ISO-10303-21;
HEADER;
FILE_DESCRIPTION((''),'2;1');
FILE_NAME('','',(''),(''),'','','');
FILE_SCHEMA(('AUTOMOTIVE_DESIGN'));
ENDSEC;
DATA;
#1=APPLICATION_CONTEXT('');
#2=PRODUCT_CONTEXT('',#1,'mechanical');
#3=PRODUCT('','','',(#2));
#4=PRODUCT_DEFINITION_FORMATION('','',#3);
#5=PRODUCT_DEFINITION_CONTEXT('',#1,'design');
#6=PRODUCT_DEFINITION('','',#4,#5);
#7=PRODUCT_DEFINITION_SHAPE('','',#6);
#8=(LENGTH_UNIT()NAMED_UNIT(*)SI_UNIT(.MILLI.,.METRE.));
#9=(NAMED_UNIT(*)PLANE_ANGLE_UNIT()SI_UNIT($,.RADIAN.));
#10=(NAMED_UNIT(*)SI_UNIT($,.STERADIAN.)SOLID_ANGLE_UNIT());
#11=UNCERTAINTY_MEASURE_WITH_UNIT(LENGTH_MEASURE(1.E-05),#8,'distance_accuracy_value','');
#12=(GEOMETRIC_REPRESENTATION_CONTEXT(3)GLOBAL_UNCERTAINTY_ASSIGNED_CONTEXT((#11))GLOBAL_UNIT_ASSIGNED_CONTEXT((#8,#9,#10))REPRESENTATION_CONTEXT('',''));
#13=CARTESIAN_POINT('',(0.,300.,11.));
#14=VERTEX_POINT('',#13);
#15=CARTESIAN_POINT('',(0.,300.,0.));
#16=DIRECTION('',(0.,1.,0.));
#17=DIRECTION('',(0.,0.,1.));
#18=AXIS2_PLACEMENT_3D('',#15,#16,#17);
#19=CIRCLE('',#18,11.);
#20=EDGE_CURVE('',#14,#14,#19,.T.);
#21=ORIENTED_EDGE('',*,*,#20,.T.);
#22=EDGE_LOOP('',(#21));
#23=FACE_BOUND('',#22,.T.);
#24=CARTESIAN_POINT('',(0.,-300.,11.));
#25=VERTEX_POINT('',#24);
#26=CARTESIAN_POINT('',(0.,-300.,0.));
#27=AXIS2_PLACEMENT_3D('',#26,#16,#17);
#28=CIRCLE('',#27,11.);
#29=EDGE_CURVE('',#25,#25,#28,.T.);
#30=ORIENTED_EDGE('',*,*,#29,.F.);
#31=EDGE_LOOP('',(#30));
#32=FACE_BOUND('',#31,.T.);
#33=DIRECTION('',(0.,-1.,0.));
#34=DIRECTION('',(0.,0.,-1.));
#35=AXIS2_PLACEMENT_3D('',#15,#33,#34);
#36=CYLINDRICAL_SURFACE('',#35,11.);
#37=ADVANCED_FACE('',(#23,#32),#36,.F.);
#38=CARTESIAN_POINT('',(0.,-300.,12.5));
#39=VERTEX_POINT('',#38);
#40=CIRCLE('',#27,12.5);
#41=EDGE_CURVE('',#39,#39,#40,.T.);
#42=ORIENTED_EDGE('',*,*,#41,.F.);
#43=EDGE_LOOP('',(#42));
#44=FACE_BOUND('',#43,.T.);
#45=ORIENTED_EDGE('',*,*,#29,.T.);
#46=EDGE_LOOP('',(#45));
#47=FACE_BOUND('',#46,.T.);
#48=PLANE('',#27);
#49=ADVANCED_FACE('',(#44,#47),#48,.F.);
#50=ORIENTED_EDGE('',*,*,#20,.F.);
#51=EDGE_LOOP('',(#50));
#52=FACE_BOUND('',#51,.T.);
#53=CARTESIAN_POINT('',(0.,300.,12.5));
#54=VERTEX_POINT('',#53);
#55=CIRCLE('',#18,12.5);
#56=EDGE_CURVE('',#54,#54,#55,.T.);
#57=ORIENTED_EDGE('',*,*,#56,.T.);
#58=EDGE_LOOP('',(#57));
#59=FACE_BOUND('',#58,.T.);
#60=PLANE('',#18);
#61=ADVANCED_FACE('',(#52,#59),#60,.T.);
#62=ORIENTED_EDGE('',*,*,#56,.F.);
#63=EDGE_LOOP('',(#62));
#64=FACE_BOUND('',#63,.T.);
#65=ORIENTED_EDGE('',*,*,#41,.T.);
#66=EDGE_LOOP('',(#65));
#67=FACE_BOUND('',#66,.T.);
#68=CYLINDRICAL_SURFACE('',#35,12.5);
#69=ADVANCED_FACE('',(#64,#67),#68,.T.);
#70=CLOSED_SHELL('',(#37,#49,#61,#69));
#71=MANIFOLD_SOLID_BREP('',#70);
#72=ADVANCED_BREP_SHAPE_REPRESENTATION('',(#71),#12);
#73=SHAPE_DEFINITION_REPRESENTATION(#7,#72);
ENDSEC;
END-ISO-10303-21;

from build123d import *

# Parameters (mm, degrees)
SKETCH_2_R      = 12.5
SKETCH_2_R_2    = 11
EXTRUDE_1_DEPTH = 300


with BuildPart() as part:
    # 草图2 → 凸台-拉伸1 (new, symmetric)
    with BuildSketch(Plane(origin=(0, 0, 0), x_dir=(1, 0, 0), z_dir=(0, 1, 0))):
        with Locations(Location((0, 0, 0), (0, 0, 270))):
            Circle(SKETCH_2_R)
        with Locations(Location((0, 0, 0), (0, 0, 270))):
            Circle(SKETCH_2_R_2, mode=Mode.SUBTRACT)
    extrude(amount=EXTRUDE_1_DEPTH, both=True)


solid = part.part
